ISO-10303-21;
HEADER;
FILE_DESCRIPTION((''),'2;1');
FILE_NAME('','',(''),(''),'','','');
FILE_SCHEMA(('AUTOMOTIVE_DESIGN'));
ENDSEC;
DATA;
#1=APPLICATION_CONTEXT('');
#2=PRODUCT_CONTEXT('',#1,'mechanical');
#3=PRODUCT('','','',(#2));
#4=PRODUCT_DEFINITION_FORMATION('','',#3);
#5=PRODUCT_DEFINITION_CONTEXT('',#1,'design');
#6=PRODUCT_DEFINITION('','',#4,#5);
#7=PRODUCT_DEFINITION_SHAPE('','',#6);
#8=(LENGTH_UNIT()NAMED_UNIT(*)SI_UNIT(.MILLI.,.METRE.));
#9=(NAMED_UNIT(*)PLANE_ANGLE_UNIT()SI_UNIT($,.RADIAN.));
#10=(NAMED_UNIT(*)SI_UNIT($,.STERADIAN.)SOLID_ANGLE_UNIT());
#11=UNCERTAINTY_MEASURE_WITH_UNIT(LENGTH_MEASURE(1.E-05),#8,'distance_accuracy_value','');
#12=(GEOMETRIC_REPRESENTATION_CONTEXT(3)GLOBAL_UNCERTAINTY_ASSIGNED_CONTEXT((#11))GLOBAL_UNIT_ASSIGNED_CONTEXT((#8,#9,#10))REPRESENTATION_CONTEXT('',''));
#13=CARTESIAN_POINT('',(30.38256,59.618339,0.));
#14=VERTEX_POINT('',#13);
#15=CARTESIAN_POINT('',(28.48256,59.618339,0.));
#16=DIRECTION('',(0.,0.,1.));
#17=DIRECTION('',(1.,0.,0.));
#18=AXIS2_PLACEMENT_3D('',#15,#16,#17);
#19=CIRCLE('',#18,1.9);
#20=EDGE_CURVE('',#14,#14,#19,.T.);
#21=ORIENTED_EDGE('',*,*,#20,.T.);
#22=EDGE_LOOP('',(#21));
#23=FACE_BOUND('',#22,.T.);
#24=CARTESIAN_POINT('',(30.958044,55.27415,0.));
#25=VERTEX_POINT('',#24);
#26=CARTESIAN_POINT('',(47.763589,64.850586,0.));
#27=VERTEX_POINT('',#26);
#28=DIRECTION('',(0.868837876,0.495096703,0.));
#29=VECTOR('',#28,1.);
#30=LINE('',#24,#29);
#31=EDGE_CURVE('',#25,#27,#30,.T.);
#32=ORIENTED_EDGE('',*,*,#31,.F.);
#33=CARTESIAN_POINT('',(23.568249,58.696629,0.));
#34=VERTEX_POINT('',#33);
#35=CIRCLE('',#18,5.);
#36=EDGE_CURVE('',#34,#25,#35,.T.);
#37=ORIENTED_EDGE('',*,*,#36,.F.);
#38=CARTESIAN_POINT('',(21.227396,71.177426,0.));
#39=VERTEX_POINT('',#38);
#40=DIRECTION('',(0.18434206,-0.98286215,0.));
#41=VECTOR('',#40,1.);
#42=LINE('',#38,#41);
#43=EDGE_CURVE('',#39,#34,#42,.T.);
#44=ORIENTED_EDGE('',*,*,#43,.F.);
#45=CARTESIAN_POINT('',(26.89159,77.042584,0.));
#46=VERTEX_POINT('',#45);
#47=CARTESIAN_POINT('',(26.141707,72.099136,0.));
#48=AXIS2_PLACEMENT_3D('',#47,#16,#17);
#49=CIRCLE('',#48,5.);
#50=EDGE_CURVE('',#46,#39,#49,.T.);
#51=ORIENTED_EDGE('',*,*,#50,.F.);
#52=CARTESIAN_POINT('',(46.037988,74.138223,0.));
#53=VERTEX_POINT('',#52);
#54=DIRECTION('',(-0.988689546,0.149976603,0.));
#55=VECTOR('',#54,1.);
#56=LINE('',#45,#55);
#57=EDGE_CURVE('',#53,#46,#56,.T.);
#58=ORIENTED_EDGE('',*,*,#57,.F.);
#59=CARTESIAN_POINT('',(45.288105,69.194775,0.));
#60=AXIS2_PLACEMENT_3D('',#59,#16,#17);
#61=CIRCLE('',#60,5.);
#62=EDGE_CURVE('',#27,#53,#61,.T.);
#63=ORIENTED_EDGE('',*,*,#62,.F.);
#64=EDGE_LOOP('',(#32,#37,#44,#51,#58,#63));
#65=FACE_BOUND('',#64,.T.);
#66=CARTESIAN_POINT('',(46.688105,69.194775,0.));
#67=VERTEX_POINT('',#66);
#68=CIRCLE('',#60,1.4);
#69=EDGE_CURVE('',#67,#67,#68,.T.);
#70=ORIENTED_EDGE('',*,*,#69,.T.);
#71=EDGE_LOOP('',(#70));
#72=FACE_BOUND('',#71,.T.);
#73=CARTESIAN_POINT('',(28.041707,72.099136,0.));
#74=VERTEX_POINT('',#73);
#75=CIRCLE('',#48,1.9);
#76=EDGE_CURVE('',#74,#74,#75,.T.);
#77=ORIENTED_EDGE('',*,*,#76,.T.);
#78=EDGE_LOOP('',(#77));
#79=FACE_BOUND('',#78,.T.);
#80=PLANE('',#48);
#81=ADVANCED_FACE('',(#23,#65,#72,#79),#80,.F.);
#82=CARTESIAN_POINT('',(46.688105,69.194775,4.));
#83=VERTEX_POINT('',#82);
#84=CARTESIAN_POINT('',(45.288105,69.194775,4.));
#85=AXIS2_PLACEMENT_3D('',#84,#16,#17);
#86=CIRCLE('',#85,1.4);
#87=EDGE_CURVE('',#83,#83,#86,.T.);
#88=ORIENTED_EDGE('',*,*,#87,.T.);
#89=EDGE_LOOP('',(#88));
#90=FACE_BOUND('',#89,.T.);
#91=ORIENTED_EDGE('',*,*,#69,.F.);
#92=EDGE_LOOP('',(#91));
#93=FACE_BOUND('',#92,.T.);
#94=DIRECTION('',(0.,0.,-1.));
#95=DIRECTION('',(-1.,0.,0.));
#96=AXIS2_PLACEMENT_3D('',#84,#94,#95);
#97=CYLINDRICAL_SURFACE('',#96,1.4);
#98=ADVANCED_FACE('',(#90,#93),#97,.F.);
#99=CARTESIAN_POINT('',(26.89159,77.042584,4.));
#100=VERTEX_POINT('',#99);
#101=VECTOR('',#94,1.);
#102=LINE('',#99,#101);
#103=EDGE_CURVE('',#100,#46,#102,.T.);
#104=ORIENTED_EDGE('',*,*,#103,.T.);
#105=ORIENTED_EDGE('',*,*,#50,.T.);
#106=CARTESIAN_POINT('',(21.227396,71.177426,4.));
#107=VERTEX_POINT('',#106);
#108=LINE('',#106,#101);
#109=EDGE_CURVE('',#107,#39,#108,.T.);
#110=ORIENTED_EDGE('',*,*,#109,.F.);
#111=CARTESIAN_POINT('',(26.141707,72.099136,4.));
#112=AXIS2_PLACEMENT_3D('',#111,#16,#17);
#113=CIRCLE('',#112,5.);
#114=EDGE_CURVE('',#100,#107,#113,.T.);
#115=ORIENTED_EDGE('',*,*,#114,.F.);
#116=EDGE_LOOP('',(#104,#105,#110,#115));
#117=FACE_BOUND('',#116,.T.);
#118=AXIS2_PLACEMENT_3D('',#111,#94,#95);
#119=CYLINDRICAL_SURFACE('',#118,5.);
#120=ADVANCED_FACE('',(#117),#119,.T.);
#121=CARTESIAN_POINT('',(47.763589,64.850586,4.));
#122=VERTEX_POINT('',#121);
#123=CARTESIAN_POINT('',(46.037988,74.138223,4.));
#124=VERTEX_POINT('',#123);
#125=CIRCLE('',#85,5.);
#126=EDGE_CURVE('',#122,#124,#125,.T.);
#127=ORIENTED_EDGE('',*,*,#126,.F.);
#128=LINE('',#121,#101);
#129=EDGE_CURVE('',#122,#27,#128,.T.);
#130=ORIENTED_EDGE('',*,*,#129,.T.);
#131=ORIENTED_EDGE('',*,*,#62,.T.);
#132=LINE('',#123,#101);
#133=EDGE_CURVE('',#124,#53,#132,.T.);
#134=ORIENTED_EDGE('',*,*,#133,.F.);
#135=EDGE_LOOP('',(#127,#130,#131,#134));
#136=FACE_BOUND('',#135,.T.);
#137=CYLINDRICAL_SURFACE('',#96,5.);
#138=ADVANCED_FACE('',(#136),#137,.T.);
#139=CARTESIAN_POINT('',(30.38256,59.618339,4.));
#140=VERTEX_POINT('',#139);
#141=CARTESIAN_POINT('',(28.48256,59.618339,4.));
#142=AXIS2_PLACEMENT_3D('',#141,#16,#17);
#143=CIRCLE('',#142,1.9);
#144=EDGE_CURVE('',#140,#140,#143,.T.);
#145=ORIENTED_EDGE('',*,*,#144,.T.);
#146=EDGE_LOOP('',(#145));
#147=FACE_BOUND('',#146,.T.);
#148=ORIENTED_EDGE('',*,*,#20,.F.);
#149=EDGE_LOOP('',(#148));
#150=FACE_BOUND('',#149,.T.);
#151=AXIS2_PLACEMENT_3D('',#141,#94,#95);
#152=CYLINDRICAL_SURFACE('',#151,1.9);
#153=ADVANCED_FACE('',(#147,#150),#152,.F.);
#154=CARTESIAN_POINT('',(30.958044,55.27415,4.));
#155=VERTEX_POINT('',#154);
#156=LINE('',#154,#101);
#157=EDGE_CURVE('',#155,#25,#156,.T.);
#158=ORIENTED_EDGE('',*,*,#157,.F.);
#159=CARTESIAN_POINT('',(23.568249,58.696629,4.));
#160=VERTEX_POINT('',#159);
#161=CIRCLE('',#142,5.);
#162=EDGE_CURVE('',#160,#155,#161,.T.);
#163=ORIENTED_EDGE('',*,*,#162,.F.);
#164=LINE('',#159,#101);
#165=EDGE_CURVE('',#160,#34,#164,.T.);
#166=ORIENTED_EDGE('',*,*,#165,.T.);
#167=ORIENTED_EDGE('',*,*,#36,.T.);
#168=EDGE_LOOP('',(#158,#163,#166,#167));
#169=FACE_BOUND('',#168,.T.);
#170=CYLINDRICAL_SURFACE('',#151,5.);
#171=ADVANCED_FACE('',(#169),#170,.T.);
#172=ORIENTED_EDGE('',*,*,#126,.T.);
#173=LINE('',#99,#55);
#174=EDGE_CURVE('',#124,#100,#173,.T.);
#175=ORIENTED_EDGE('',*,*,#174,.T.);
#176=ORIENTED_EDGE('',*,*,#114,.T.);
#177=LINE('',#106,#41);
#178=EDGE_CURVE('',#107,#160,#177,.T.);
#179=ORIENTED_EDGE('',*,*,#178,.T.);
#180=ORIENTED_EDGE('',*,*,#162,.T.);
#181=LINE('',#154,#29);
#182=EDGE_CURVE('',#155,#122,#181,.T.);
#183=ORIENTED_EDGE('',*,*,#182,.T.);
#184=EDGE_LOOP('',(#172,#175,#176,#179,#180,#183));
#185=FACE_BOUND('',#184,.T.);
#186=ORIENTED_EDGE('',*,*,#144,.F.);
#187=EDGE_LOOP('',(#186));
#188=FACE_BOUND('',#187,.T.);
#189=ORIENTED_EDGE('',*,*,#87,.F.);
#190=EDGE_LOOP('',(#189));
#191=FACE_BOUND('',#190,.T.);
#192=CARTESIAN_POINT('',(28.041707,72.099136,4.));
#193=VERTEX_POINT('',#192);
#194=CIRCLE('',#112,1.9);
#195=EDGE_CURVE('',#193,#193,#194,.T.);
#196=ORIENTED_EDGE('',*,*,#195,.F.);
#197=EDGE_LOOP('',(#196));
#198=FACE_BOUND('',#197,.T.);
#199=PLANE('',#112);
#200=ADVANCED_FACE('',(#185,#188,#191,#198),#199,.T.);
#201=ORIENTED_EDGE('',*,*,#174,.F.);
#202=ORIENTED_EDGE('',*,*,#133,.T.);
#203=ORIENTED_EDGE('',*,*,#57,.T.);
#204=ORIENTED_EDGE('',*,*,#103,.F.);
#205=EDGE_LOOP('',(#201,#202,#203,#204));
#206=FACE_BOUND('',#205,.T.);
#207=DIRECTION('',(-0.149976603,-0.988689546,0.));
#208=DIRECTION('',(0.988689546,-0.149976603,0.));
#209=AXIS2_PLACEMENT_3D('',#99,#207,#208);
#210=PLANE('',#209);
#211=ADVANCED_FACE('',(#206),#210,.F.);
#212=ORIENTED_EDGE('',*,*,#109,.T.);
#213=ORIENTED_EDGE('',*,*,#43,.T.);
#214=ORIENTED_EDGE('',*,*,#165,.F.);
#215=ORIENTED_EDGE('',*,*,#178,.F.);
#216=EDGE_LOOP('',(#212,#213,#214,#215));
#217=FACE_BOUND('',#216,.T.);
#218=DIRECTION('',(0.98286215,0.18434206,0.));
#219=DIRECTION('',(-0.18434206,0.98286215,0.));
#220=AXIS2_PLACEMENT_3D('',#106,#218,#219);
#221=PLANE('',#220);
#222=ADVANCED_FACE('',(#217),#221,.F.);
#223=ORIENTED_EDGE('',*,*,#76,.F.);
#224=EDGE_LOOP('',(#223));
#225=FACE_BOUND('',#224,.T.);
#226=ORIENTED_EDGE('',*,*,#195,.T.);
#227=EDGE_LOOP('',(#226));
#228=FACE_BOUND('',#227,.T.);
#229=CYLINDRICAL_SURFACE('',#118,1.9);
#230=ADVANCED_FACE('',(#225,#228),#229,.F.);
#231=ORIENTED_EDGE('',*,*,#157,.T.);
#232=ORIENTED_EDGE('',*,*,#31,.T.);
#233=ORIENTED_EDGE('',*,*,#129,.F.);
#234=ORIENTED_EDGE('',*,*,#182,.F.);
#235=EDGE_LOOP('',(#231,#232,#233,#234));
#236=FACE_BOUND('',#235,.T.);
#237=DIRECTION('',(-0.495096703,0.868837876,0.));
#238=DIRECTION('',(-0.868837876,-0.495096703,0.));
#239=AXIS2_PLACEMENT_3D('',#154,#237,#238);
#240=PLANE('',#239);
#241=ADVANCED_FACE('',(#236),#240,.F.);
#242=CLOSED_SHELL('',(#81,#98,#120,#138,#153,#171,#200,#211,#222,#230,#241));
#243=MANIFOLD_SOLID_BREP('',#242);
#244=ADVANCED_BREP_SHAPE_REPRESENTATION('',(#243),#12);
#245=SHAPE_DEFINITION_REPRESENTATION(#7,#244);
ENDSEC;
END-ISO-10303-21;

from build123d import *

# Parameters (mm, degrees)
SKETCH1_R           = 1.9
SKETCH1_R_2         = 1.4
BOSS_EXTRUDE1_DEPTH = 4


with BuildPart() as part:
    # Sketch1 → Boss-Extrude1 (new body)
    with BuildSketch(Plane.XY):
        with BuildLine():
            Line((26.891590001, 77.042584155), (46.037988185, 74.138222759))
            ThreePointArc((46.037988185, 74.138222759), (50.20397723, 70.108121575), (47.763588686, 64.850585648))
            Line((47.763588686, 64.850585648), (30.958043521, 55.274150009))
            ThreePointArc((30.958043521, 55.274150009), (26.381296021, 55.081304051), (23.568249259, 58.696629092))
            Line((23.568249259, 58.696629092), (21.227396241, 71.177426126))
            ThreePointArc((21.227396241, 71.177426126), (22.54509271, 75.572516008), (26.891590001, 77.042584155))
        make_face()
        with Locations((26.141706988, 72.099136424)):
            Circle(SKETCH1_R, mode=Mode.SUBTRACT)
        with Locations((28.482560007, 59.618339389)):
            Circle(SKETCH1_R, mode=Mode.SUBTRACT)
        with Locations((45.288105172, 69.194775028)):
            Circle(SKETCH1_R_2, mode=Mode.SUBTRACT)
    extrude(amount=BOSS_EXTRUDE1_DEPTH)


solid = part.part
